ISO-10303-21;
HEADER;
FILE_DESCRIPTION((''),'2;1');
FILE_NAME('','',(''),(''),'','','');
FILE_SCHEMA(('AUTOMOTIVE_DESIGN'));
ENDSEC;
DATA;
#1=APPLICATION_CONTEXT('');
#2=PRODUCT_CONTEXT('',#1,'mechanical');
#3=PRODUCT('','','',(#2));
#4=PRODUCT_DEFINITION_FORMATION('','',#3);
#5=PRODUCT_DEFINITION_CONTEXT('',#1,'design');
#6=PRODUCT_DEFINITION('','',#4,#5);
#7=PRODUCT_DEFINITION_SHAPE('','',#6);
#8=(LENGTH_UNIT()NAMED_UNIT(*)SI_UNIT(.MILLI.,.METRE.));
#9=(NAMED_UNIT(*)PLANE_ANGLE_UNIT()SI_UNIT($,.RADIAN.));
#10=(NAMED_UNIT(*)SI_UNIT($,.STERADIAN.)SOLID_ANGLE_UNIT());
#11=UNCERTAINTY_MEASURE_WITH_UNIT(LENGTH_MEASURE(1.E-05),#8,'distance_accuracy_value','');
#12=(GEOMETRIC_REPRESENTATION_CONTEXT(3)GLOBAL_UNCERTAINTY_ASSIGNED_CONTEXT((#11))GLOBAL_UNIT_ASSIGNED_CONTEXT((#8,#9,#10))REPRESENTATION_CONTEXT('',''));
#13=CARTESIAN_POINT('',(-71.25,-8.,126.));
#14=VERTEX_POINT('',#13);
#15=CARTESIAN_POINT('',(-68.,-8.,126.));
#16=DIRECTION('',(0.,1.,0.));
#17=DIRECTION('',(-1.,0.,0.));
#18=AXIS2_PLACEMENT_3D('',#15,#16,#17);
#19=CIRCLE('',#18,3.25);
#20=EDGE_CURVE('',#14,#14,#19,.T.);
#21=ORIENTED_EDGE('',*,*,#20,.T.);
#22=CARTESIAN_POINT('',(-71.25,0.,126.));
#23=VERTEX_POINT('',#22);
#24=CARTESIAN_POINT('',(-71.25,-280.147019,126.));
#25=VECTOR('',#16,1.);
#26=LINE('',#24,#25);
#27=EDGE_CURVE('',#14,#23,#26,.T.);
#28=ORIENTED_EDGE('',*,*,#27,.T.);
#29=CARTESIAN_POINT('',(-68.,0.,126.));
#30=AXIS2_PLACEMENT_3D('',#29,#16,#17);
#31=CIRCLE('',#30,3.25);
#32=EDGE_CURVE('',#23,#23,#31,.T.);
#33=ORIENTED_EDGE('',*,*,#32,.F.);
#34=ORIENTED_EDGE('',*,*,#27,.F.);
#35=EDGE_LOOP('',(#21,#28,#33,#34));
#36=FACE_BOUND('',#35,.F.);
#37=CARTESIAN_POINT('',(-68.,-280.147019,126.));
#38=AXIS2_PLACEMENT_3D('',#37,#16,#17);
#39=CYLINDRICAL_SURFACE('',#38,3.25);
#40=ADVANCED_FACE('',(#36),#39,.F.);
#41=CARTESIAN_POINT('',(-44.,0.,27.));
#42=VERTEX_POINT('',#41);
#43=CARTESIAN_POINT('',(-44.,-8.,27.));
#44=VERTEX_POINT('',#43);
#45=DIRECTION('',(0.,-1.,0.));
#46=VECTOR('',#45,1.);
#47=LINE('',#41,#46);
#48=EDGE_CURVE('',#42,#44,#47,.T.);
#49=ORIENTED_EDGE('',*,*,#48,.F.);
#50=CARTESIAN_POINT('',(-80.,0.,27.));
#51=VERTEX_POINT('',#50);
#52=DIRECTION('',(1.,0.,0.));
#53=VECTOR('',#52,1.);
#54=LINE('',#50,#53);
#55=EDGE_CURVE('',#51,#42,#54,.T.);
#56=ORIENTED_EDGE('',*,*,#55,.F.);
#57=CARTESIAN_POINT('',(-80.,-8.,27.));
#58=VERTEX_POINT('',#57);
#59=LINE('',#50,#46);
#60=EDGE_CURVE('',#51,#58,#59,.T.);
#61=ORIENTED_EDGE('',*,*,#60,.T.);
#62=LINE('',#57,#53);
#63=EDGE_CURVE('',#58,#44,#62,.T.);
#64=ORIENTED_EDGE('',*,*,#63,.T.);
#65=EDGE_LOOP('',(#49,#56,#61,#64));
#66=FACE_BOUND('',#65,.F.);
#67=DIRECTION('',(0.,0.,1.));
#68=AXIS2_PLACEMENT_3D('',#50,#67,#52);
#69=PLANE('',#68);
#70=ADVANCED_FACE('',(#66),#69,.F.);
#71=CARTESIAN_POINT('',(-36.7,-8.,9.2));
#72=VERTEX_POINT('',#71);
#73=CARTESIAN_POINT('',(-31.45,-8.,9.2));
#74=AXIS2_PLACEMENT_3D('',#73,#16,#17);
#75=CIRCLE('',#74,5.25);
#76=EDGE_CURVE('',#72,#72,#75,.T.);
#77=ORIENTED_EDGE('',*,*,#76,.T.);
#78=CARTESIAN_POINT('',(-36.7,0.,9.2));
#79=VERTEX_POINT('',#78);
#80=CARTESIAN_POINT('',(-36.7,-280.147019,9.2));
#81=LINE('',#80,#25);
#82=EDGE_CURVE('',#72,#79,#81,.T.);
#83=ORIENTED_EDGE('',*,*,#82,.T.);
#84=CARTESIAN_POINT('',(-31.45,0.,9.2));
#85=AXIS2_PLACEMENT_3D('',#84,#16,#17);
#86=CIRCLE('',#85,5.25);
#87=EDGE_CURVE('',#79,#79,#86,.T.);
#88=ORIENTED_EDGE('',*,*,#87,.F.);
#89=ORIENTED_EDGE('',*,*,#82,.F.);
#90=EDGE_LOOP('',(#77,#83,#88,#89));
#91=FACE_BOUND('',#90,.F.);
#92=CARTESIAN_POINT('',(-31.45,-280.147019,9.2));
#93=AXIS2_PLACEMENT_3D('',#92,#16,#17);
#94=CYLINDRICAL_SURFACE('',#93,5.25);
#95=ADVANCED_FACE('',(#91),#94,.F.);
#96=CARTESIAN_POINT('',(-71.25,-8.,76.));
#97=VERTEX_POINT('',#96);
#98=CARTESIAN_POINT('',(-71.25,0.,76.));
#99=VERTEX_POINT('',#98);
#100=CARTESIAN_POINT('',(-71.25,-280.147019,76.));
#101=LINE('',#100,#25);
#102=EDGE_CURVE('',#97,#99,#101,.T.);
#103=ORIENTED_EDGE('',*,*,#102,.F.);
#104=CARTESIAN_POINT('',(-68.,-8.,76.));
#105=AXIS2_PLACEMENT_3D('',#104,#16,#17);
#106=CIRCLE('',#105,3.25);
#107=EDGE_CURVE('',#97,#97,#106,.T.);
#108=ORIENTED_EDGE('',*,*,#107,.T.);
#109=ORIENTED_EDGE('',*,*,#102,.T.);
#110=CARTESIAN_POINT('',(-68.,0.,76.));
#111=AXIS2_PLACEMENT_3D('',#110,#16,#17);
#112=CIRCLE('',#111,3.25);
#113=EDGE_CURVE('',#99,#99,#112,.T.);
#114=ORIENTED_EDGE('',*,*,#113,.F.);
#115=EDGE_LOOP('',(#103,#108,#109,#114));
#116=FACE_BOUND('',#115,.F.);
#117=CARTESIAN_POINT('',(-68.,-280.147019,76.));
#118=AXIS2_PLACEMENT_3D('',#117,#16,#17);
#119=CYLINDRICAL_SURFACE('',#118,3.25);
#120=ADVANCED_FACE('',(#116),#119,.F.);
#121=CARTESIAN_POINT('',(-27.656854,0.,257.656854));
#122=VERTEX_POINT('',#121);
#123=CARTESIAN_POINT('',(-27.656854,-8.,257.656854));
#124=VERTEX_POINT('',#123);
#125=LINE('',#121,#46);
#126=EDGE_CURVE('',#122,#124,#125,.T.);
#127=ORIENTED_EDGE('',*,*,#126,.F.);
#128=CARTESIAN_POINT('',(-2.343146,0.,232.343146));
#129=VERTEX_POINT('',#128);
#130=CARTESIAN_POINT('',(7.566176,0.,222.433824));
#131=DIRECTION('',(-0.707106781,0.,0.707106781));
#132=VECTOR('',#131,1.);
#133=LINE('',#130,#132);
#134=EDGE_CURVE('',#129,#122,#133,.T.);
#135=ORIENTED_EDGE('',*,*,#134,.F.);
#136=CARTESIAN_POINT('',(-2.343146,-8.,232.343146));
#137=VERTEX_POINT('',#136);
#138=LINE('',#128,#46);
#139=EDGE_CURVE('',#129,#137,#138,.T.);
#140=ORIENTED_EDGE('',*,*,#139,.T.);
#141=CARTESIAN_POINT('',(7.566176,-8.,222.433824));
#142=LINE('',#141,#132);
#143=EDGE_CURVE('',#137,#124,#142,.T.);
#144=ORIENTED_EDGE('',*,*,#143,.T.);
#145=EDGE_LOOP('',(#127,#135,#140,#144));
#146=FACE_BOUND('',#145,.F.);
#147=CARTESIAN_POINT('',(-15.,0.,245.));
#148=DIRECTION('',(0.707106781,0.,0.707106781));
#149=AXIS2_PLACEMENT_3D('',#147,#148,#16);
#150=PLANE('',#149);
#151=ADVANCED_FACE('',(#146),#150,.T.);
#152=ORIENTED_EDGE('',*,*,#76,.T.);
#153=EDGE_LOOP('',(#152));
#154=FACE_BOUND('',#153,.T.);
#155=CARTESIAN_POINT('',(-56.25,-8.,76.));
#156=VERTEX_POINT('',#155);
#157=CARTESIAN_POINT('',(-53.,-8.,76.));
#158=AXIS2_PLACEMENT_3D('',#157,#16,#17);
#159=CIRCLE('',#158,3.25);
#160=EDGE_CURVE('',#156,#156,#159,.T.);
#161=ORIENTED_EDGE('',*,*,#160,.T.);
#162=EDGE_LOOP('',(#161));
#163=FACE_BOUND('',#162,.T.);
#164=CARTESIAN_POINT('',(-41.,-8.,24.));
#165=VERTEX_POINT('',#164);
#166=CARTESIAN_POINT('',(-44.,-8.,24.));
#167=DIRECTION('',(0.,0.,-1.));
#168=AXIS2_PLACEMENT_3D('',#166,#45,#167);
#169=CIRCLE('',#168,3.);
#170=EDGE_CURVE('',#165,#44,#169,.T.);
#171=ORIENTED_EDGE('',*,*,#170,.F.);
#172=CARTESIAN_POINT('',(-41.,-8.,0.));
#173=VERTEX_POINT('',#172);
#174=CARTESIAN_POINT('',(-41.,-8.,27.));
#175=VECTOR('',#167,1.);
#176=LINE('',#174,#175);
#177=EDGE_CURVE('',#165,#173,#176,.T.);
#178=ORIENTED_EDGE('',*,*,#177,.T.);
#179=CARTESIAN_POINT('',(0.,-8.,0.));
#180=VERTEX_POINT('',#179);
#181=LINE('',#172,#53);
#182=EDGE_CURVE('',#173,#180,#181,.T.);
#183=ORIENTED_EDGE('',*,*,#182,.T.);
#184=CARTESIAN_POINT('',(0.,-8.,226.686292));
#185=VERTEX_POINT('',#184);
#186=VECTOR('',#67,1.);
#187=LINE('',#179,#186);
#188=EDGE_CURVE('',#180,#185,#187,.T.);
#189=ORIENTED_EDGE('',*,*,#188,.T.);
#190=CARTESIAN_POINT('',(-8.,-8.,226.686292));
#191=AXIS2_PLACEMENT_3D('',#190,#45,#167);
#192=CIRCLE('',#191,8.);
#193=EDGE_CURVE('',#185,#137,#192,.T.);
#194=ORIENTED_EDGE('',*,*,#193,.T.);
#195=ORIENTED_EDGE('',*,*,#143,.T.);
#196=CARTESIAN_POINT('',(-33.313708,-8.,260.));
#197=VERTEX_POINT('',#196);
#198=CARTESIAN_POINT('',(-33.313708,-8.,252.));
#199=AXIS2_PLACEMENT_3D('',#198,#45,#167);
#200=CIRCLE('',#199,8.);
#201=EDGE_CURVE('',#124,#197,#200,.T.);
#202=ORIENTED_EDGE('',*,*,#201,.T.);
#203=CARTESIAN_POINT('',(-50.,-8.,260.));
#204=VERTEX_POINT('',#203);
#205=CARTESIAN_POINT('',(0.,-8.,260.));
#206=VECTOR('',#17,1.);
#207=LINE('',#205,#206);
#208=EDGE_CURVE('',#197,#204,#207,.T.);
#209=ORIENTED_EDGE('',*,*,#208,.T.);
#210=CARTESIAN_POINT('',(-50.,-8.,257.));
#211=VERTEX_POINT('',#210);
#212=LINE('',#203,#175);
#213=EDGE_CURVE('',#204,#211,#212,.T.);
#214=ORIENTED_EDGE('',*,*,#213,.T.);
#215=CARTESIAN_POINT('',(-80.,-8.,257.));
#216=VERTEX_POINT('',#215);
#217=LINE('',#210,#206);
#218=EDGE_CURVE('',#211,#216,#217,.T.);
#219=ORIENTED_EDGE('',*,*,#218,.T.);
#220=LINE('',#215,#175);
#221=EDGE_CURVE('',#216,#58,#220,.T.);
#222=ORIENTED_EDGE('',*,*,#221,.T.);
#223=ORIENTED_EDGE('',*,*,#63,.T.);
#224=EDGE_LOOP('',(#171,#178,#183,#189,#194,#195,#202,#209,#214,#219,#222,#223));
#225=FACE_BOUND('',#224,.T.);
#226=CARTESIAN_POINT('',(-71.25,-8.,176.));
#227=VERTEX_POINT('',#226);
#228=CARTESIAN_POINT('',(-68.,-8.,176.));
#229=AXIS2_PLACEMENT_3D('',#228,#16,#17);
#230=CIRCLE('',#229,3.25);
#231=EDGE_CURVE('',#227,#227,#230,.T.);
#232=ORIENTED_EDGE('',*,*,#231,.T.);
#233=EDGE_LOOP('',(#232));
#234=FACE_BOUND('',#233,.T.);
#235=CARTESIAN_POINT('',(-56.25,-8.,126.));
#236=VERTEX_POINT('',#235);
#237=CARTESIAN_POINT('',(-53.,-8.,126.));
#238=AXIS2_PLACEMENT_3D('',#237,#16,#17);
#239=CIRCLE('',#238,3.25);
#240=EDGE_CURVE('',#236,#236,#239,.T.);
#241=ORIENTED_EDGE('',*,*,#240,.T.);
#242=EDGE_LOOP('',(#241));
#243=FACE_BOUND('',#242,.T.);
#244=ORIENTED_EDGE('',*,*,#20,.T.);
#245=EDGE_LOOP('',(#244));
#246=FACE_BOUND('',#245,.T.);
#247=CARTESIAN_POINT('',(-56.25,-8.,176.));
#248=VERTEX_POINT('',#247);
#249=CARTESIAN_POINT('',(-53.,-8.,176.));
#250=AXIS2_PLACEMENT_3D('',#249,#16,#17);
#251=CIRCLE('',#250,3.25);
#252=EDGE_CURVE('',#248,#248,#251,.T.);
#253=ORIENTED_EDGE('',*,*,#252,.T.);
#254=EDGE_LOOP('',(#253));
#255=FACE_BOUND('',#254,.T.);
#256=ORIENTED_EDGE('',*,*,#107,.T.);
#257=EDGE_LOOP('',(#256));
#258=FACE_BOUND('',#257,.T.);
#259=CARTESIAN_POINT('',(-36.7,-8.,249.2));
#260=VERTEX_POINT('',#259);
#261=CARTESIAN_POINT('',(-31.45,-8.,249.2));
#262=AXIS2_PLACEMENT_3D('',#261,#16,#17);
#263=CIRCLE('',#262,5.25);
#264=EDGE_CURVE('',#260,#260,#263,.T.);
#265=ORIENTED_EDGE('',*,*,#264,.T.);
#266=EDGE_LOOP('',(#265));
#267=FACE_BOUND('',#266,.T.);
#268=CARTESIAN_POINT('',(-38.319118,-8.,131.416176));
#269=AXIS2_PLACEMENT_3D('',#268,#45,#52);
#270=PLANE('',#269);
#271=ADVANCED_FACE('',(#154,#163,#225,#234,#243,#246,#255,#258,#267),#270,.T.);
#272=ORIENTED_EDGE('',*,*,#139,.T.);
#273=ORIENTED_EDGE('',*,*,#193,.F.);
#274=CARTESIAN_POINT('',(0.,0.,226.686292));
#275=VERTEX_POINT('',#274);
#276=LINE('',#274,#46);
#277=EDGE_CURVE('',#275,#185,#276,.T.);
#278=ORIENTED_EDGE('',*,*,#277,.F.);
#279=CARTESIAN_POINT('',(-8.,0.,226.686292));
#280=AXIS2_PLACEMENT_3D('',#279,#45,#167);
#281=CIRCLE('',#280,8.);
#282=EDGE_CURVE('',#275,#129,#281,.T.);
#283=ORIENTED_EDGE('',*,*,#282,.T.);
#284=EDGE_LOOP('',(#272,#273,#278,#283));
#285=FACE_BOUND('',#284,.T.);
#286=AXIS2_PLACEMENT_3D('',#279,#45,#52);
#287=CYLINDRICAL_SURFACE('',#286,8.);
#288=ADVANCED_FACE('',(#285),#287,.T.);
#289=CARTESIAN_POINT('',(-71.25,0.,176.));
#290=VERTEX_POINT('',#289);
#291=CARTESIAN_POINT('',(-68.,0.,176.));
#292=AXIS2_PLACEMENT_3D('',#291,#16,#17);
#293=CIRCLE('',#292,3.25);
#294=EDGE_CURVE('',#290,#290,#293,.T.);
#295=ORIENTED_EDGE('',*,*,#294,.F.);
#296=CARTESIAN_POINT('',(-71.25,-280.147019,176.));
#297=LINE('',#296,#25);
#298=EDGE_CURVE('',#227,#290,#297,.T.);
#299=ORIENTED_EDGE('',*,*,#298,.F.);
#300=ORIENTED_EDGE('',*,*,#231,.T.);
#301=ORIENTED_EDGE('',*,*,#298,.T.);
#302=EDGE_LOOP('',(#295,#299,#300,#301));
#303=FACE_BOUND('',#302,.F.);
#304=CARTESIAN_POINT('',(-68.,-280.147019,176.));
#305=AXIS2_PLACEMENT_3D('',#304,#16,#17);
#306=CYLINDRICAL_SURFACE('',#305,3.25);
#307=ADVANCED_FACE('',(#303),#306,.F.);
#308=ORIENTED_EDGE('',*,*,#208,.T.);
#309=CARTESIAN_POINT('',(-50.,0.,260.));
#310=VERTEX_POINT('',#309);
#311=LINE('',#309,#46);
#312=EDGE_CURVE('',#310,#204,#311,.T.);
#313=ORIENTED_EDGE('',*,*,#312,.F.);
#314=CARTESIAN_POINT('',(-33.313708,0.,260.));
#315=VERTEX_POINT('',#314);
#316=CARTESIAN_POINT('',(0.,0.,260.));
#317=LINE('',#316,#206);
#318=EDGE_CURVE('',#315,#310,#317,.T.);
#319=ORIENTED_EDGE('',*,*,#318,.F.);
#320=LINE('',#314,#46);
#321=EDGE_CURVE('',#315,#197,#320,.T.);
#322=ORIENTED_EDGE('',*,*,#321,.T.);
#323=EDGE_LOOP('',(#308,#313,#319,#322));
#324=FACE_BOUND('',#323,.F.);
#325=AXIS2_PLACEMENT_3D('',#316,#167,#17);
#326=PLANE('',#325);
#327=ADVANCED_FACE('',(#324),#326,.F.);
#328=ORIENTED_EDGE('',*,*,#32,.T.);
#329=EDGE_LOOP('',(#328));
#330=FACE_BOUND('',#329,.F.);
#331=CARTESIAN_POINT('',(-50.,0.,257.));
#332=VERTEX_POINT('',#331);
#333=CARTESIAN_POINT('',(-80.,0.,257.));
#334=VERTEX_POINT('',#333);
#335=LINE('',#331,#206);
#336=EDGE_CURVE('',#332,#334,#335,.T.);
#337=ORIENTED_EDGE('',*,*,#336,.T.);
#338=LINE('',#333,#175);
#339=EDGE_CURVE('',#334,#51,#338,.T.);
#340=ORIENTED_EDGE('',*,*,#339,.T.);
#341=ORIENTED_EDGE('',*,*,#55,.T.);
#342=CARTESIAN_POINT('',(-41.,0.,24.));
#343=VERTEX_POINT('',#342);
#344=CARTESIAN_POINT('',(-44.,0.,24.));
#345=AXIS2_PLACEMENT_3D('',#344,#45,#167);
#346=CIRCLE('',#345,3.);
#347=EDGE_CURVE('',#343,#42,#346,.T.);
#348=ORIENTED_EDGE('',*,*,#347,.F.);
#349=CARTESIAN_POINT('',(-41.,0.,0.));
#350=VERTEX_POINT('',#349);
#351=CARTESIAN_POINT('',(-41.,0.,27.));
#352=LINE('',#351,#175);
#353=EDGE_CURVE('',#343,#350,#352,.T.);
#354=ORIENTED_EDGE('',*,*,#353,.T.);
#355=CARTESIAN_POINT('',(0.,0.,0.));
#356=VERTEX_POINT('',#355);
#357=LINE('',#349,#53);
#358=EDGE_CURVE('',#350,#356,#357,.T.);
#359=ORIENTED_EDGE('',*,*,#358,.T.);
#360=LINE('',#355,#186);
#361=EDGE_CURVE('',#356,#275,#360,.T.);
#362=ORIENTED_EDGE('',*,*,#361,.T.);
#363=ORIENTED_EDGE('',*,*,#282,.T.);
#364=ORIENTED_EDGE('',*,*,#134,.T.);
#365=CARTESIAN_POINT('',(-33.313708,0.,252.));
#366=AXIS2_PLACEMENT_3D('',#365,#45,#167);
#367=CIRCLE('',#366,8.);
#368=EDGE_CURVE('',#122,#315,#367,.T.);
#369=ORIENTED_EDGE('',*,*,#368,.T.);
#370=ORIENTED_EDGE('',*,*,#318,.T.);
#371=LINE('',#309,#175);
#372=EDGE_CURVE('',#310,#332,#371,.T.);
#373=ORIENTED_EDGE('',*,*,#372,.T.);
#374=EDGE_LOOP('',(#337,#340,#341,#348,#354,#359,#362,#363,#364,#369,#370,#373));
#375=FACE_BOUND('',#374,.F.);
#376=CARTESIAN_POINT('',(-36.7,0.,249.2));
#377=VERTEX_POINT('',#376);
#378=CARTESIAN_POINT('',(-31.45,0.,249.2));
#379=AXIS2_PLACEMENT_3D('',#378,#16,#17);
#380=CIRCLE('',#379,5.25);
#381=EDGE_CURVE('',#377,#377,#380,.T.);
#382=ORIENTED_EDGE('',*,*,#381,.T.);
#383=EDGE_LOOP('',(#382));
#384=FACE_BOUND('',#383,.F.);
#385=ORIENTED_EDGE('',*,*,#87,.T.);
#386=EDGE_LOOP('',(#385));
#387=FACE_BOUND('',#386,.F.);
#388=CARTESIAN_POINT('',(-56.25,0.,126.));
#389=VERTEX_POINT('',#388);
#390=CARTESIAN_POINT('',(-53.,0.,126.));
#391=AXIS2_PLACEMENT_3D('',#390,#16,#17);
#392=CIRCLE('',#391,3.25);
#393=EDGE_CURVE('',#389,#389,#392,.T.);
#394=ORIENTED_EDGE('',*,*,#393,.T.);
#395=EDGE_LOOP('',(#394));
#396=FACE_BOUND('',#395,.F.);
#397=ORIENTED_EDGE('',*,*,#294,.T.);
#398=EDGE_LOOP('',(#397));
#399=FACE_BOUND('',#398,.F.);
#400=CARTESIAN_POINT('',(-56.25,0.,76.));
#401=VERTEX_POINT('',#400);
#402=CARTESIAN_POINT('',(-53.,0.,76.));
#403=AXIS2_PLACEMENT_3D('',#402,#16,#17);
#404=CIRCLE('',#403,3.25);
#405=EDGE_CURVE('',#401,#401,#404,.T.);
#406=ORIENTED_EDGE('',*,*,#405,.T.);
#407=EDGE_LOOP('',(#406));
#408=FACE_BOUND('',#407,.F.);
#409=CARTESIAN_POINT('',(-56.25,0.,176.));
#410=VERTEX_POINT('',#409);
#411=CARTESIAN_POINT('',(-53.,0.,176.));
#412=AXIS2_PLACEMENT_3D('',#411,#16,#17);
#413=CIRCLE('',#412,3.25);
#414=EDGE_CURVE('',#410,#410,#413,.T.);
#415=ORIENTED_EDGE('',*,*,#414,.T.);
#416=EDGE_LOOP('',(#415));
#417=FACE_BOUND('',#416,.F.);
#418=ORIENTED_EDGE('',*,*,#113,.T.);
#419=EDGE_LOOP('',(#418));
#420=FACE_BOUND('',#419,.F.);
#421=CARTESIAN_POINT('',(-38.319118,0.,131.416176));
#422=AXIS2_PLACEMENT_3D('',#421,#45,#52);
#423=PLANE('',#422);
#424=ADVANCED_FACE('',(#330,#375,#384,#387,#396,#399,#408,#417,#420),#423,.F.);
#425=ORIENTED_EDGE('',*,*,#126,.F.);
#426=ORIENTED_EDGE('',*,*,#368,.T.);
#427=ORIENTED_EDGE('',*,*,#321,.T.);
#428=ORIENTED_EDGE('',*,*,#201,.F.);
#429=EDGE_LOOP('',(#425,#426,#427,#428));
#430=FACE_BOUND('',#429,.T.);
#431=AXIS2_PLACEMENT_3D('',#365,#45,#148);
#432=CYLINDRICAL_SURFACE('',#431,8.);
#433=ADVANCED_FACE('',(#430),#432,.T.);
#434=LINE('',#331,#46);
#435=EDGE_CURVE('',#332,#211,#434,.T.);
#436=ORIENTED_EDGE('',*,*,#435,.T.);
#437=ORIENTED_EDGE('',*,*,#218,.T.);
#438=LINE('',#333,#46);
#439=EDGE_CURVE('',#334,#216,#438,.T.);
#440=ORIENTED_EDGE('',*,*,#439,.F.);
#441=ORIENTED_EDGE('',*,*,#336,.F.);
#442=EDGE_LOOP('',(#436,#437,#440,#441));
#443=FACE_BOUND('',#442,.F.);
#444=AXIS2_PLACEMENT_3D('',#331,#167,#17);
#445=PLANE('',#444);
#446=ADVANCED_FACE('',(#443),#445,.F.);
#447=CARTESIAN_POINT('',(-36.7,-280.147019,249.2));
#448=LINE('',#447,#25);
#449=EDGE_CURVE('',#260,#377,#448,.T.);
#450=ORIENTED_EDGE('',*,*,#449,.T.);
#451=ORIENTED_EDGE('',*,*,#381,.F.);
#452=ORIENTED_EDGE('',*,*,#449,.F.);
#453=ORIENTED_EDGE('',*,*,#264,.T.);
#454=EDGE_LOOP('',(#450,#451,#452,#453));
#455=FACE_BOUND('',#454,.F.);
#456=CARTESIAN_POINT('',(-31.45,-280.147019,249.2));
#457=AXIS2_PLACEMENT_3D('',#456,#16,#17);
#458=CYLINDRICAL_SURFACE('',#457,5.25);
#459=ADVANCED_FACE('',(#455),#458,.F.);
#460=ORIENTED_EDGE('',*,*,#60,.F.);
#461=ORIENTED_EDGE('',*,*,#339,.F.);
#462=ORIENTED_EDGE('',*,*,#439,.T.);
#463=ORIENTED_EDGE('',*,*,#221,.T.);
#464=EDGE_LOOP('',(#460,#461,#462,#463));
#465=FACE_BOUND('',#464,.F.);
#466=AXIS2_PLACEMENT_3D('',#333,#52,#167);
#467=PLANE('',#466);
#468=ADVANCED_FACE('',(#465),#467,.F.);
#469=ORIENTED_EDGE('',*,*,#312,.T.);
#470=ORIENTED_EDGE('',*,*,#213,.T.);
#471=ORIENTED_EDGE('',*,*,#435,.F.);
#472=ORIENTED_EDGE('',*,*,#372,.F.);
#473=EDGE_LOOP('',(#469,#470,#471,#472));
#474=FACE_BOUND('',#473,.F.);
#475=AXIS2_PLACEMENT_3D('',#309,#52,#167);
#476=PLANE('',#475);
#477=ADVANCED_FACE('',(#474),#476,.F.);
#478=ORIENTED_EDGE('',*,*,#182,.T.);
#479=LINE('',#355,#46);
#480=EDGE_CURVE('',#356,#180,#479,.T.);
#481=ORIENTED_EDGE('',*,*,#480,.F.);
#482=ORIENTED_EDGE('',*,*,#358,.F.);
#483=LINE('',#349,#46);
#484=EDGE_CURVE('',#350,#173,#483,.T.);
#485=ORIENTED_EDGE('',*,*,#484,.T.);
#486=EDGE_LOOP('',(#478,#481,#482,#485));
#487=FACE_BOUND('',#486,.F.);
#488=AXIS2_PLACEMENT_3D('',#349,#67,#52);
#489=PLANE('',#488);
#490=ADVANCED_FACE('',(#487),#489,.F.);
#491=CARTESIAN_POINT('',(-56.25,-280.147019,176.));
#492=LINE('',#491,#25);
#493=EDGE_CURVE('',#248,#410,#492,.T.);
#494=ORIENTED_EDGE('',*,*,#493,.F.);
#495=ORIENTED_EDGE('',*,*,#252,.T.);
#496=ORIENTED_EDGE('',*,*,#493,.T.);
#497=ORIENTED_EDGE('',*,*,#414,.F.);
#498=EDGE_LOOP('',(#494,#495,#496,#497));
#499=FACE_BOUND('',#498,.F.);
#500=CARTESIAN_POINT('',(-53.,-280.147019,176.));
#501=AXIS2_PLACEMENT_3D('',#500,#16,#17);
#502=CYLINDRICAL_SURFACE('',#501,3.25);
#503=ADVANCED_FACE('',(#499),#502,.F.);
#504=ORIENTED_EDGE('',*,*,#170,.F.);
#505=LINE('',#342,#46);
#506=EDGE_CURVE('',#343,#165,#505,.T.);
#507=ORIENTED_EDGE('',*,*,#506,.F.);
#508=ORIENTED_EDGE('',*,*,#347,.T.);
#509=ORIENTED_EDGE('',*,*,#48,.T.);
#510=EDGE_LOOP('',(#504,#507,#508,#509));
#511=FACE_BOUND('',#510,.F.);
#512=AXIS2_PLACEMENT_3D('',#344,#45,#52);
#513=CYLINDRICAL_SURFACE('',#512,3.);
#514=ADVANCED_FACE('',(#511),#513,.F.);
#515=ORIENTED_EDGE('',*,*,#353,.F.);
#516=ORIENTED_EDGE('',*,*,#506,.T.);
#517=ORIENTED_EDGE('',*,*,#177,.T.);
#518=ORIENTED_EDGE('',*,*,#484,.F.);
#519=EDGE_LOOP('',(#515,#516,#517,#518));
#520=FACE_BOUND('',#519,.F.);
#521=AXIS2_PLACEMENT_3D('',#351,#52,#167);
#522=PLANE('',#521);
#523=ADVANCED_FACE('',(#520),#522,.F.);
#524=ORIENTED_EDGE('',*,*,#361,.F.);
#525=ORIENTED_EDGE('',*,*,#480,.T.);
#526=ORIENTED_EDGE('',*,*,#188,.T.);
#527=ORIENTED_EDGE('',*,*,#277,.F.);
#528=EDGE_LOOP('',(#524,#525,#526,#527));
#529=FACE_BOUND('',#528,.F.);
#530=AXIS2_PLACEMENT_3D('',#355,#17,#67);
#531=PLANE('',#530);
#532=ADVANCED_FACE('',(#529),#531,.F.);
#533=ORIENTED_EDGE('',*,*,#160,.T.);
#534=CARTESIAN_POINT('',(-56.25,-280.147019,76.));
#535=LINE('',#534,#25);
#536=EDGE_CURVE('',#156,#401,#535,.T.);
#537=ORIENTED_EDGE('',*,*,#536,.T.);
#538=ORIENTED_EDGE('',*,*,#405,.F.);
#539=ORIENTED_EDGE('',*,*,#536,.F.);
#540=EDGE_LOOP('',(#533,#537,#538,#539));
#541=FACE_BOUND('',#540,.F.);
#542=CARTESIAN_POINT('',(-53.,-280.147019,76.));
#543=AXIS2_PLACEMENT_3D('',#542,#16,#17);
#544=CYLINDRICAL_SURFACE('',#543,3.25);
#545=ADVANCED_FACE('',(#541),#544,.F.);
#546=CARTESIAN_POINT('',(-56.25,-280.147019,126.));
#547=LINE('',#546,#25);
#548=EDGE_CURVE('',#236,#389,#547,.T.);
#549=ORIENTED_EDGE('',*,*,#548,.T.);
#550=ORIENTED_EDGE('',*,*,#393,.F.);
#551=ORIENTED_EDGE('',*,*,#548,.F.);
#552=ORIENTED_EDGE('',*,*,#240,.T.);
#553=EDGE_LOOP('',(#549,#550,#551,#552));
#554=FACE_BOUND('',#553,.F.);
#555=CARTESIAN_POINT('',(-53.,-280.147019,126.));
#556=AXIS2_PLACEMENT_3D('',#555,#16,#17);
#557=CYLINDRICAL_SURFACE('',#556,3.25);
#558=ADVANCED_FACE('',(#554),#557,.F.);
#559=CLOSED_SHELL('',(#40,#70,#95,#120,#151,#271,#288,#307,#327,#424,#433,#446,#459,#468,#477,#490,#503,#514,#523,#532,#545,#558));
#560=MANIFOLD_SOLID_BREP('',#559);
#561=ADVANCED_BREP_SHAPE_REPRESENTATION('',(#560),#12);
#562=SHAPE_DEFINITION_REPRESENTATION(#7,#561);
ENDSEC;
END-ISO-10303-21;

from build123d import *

# Parameters (mm, degrees)
F1_DEPTH = 8
F2_SIZE  = 30
F4_D     = 6.5
F6_D     = 10.5
F7_R     = 8
F8_R     = 3


with BuildPart() as f1:
    # F0 (on Front) → F1 (new body)
    with BuildSketch(Plane.XZ):
        Polygon((-41, 0), (0, 0), (0, 260), (-50, 260), (-50, 257), (-80, 257), (-80, 27), (-41, 27), align=None)
    extrude(amount=F1_DEPTH)

    # F2
    f2_edges = [f1.edges().sort_by_distance(p)[0] for p in [
        (0, -4, 260),
    ]]
    chamfer(f2_edges, length=F2_SIZE)

    # F4 (through all)
    with Locations(Plane.XZ.offset(8)):
        with Locations((-53, 176), (-68, 176), (-53, 126), (-68, 126), (-53, 76), (-68, 76)):
            Hole(F4_D / 2)

    # F6 (through all)
    with Locations(Plane.XZ.offset(8)):
        with Locations((-31.45, 249.2), (-31.45, 9.2)):
            Hole(F6_D / 2)

    # F7
    f7_edges = [f1.edges().sort_by_distance(p)[0] for p in [
        (-30, -4, 260),
        (0, -4, 230),
    ]]
    fillet(f7_edges, radius=F7_R)

    # F8
    f8_edges = [f1.edges().sort_by_distance(p)[0] for p in [
        (-41, -4, 27),
    ]]
    fillet(f8_edges, radius=F8_R)


solid = f1.part
